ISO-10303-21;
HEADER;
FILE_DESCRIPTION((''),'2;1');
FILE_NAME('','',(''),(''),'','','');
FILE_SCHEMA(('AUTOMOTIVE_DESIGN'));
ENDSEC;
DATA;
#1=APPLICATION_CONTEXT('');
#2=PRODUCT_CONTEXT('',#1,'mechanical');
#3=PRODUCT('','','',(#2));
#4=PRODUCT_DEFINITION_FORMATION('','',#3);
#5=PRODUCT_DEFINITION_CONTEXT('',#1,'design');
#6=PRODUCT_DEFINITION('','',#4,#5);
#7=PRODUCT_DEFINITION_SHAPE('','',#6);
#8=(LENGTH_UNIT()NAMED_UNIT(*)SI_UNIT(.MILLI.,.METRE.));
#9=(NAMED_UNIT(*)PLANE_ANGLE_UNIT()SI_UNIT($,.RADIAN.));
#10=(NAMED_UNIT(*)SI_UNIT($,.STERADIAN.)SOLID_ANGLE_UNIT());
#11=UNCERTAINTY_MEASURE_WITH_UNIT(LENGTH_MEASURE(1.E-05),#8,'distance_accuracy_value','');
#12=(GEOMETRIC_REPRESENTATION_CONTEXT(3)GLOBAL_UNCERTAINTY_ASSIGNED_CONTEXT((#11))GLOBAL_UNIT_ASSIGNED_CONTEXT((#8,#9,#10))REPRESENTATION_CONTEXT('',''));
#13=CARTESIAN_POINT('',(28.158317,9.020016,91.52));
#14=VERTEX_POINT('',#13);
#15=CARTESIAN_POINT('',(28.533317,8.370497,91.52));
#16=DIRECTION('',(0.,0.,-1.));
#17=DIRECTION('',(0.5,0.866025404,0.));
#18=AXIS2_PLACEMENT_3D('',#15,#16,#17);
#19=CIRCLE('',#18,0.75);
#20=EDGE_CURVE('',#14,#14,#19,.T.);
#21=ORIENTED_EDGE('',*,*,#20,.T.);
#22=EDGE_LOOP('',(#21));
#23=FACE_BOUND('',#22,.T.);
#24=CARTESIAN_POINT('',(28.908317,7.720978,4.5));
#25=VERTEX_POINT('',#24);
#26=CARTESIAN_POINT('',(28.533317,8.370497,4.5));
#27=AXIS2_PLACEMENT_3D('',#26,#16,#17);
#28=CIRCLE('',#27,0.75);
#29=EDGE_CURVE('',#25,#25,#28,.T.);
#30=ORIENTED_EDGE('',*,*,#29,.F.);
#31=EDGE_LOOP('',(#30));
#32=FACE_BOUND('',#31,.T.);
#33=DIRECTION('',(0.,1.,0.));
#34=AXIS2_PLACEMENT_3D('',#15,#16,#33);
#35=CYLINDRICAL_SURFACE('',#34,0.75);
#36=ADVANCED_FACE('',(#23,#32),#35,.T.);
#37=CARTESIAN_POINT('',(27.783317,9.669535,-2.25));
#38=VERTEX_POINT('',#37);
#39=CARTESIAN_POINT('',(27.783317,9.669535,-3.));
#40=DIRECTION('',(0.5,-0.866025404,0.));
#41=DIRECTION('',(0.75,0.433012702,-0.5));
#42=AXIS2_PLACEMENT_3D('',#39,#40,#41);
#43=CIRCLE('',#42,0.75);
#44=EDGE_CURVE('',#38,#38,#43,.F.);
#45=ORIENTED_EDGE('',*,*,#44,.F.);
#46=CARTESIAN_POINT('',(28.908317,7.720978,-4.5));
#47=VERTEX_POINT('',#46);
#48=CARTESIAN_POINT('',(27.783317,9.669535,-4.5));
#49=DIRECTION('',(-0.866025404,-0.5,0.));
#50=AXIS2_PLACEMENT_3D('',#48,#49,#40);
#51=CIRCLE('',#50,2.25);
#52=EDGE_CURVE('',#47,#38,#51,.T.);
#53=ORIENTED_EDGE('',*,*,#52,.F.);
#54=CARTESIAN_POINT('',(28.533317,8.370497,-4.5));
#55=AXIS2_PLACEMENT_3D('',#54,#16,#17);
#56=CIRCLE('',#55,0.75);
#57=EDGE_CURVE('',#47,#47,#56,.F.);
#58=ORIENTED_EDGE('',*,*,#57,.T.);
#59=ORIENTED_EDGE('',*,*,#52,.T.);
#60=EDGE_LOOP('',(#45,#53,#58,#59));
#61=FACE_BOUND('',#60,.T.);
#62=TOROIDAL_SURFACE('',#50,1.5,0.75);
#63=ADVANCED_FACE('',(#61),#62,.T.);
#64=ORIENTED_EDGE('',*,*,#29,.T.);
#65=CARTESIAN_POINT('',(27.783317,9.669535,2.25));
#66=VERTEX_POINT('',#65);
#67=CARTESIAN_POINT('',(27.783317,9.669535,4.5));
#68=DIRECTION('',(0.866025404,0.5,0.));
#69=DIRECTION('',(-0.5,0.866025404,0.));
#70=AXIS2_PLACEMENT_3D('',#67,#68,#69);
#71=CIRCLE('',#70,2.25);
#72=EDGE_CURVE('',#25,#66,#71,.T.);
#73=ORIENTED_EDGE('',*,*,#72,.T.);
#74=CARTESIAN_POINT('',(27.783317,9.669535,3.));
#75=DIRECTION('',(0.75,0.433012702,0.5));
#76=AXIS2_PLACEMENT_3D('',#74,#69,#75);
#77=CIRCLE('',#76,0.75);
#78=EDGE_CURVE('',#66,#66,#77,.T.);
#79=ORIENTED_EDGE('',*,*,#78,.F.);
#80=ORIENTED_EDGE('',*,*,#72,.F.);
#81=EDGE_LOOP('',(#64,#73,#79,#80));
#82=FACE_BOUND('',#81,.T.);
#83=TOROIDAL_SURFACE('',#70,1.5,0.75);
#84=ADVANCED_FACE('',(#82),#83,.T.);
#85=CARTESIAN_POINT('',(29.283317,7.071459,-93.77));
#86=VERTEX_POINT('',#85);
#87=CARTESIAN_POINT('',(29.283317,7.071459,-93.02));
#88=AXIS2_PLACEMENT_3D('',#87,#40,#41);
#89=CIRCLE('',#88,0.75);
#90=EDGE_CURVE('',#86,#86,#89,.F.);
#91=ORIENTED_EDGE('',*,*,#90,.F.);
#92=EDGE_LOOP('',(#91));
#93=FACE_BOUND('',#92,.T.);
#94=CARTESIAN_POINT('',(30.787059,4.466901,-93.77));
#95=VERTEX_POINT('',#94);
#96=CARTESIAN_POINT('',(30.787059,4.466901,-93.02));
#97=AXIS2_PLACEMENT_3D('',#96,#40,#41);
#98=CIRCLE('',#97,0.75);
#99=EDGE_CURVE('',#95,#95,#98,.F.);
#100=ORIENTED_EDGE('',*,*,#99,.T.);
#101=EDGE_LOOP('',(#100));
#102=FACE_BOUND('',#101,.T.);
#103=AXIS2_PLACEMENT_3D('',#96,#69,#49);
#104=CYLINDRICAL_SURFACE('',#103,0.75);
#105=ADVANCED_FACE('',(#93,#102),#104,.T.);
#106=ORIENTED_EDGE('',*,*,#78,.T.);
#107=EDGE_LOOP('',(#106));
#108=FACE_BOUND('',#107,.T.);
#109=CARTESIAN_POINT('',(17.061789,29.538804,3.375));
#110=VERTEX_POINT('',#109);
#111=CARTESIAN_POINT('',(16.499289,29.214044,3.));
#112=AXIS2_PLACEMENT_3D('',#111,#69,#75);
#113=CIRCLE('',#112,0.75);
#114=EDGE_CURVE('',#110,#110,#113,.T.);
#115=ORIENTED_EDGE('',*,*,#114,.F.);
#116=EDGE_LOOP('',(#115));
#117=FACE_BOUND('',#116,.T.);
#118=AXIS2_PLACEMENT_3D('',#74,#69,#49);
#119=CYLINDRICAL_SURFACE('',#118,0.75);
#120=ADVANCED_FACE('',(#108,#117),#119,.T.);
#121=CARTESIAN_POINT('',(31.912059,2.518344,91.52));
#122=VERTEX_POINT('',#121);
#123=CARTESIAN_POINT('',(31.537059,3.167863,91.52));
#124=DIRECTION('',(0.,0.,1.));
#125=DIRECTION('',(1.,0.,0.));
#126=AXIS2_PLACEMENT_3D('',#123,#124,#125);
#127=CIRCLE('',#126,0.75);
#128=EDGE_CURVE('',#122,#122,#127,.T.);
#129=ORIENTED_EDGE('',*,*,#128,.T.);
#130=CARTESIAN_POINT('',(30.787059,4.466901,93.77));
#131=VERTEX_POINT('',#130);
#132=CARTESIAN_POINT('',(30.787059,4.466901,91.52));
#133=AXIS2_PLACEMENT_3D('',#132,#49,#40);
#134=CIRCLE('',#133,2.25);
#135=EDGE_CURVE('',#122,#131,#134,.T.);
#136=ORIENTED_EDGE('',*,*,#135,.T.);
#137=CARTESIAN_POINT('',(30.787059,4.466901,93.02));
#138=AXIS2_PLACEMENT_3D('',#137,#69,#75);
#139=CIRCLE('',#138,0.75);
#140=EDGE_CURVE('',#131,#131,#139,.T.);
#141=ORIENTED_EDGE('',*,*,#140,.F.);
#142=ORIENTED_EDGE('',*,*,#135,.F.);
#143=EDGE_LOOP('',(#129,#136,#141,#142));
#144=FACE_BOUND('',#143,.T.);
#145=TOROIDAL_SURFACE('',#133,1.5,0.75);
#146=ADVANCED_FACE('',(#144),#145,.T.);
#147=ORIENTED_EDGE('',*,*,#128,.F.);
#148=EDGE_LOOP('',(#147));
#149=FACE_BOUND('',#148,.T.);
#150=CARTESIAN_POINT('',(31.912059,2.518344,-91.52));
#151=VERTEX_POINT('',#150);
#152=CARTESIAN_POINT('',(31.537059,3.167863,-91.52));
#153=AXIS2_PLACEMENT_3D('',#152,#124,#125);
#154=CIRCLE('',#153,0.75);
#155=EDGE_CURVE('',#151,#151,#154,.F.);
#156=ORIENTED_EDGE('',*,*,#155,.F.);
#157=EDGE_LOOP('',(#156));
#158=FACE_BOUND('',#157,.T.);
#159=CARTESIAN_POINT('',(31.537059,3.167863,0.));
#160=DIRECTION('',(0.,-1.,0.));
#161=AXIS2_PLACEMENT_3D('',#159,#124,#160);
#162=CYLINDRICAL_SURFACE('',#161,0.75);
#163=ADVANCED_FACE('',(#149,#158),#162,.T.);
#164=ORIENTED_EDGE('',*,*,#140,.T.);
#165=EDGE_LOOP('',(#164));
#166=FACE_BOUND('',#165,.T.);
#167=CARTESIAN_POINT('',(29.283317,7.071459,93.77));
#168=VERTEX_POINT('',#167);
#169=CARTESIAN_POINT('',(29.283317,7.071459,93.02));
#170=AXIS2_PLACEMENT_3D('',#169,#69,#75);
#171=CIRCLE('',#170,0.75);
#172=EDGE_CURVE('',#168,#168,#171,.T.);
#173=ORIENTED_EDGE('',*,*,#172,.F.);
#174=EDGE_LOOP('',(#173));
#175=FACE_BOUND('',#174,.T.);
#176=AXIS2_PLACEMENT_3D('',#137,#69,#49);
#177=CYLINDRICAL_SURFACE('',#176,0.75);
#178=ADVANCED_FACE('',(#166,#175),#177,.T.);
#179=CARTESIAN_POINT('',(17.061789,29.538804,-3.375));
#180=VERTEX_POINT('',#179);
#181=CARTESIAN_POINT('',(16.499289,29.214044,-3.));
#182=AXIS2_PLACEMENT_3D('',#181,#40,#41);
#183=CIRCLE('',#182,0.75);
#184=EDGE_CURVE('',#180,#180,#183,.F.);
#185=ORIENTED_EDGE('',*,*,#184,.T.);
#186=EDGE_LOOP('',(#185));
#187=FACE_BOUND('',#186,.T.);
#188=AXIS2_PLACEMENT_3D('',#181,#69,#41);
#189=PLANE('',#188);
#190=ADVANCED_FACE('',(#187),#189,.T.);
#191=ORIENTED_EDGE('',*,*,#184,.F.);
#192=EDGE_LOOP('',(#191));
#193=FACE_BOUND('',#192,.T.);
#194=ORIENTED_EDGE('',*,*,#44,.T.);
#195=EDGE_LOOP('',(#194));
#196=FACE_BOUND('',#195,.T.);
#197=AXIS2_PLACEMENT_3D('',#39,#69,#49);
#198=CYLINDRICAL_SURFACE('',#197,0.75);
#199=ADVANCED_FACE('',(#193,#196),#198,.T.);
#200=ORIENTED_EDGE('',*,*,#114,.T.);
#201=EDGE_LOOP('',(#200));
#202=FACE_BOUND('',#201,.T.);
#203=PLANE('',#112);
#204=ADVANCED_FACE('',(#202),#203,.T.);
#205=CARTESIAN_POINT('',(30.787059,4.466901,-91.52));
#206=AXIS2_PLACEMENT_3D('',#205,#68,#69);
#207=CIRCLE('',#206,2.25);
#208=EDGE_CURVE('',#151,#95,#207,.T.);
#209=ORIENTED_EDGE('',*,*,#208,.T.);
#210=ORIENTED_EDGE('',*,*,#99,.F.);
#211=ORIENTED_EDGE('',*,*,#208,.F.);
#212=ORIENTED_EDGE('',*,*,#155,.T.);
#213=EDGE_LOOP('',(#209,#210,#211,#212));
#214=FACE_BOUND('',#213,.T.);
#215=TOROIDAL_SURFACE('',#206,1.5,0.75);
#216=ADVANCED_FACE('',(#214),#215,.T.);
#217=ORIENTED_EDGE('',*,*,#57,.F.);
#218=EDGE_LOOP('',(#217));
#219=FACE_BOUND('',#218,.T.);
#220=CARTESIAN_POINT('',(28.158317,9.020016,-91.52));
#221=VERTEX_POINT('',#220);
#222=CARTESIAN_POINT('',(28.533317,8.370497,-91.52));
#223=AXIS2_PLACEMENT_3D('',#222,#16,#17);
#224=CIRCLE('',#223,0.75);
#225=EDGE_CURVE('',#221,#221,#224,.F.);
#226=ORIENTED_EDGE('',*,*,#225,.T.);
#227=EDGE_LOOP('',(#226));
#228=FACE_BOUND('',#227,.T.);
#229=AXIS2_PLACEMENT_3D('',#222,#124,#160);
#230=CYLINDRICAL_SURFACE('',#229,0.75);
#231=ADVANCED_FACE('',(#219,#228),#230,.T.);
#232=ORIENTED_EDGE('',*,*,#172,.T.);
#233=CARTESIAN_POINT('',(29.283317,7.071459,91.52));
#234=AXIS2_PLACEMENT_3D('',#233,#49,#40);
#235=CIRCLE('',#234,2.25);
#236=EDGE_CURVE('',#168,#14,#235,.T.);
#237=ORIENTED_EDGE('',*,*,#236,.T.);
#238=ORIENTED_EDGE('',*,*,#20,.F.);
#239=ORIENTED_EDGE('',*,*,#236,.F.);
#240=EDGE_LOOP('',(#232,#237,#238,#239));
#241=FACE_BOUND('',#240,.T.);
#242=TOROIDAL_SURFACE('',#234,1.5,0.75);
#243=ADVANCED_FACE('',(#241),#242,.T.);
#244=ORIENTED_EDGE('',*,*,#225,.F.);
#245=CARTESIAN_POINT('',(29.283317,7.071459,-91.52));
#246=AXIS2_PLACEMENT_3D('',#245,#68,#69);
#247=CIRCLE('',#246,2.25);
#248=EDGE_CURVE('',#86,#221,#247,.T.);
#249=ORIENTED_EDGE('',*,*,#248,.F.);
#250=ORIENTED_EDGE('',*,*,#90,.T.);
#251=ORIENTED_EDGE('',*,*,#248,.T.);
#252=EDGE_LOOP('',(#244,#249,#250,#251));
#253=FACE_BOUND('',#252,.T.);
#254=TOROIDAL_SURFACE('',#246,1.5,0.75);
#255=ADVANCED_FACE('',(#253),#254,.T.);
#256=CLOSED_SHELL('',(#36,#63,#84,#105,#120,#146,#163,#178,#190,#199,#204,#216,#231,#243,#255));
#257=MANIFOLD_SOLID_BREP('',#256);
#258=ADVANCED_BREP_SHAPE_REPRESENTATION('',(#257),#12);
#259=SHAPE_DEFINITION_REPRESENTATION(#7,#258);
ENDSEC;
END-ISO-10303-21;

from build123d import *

# Parameters (mm, degrees)
SKETCH1_R = 0.75


with BuildPart() as part:
    # Sweep1: sweep along a path in Sketch2
    with BuildLine(Plane(origin=(25.024519053, 14.447912811, -100.982075021), x_dir=(0.5, -0.866025404, 0), z_dir=(-0.866025404, -0.5, 0))) as sweep1_path:
        Line((13.025079587, 100.982075021), (13.025079587, 192.502075021))
        ThreePointArc((13.025079587, 192.502075021), (12.585739759, 193.562735193), (11.525079587, 194.002075021))
        Line((11.525079587, 194.002075021), (8.517595341, 194.002075021))
        ThreePointArc((8.517595341, 194.002075021), (7.456935169, 193.562735193), (7.017595341, 192.502075021))
        Line((7.017595341, 192.502075021), (7.017595341, 105.482075021))
        ThreePointArc((7.017595341, 105.482075021), (6.578255513, 104.421414849), (5.517595341, 103.982075021))
        Line((5.517595341, 103.982075021), (-17.050460117, 103.982075021))
    # Sketch1 → Sweep1 (sweep)
    with BuildSketch(Plane.XY):
        with Locations((31.537058846, 3.167863003)):
            Circle(SKETCH1_R)
    sweep1 = sweep(path=sweep1_path.line)

    # Mirror1: Sweep1 across plane
    add(sweep1.mirror(Plane.XY))


solid = part.part
